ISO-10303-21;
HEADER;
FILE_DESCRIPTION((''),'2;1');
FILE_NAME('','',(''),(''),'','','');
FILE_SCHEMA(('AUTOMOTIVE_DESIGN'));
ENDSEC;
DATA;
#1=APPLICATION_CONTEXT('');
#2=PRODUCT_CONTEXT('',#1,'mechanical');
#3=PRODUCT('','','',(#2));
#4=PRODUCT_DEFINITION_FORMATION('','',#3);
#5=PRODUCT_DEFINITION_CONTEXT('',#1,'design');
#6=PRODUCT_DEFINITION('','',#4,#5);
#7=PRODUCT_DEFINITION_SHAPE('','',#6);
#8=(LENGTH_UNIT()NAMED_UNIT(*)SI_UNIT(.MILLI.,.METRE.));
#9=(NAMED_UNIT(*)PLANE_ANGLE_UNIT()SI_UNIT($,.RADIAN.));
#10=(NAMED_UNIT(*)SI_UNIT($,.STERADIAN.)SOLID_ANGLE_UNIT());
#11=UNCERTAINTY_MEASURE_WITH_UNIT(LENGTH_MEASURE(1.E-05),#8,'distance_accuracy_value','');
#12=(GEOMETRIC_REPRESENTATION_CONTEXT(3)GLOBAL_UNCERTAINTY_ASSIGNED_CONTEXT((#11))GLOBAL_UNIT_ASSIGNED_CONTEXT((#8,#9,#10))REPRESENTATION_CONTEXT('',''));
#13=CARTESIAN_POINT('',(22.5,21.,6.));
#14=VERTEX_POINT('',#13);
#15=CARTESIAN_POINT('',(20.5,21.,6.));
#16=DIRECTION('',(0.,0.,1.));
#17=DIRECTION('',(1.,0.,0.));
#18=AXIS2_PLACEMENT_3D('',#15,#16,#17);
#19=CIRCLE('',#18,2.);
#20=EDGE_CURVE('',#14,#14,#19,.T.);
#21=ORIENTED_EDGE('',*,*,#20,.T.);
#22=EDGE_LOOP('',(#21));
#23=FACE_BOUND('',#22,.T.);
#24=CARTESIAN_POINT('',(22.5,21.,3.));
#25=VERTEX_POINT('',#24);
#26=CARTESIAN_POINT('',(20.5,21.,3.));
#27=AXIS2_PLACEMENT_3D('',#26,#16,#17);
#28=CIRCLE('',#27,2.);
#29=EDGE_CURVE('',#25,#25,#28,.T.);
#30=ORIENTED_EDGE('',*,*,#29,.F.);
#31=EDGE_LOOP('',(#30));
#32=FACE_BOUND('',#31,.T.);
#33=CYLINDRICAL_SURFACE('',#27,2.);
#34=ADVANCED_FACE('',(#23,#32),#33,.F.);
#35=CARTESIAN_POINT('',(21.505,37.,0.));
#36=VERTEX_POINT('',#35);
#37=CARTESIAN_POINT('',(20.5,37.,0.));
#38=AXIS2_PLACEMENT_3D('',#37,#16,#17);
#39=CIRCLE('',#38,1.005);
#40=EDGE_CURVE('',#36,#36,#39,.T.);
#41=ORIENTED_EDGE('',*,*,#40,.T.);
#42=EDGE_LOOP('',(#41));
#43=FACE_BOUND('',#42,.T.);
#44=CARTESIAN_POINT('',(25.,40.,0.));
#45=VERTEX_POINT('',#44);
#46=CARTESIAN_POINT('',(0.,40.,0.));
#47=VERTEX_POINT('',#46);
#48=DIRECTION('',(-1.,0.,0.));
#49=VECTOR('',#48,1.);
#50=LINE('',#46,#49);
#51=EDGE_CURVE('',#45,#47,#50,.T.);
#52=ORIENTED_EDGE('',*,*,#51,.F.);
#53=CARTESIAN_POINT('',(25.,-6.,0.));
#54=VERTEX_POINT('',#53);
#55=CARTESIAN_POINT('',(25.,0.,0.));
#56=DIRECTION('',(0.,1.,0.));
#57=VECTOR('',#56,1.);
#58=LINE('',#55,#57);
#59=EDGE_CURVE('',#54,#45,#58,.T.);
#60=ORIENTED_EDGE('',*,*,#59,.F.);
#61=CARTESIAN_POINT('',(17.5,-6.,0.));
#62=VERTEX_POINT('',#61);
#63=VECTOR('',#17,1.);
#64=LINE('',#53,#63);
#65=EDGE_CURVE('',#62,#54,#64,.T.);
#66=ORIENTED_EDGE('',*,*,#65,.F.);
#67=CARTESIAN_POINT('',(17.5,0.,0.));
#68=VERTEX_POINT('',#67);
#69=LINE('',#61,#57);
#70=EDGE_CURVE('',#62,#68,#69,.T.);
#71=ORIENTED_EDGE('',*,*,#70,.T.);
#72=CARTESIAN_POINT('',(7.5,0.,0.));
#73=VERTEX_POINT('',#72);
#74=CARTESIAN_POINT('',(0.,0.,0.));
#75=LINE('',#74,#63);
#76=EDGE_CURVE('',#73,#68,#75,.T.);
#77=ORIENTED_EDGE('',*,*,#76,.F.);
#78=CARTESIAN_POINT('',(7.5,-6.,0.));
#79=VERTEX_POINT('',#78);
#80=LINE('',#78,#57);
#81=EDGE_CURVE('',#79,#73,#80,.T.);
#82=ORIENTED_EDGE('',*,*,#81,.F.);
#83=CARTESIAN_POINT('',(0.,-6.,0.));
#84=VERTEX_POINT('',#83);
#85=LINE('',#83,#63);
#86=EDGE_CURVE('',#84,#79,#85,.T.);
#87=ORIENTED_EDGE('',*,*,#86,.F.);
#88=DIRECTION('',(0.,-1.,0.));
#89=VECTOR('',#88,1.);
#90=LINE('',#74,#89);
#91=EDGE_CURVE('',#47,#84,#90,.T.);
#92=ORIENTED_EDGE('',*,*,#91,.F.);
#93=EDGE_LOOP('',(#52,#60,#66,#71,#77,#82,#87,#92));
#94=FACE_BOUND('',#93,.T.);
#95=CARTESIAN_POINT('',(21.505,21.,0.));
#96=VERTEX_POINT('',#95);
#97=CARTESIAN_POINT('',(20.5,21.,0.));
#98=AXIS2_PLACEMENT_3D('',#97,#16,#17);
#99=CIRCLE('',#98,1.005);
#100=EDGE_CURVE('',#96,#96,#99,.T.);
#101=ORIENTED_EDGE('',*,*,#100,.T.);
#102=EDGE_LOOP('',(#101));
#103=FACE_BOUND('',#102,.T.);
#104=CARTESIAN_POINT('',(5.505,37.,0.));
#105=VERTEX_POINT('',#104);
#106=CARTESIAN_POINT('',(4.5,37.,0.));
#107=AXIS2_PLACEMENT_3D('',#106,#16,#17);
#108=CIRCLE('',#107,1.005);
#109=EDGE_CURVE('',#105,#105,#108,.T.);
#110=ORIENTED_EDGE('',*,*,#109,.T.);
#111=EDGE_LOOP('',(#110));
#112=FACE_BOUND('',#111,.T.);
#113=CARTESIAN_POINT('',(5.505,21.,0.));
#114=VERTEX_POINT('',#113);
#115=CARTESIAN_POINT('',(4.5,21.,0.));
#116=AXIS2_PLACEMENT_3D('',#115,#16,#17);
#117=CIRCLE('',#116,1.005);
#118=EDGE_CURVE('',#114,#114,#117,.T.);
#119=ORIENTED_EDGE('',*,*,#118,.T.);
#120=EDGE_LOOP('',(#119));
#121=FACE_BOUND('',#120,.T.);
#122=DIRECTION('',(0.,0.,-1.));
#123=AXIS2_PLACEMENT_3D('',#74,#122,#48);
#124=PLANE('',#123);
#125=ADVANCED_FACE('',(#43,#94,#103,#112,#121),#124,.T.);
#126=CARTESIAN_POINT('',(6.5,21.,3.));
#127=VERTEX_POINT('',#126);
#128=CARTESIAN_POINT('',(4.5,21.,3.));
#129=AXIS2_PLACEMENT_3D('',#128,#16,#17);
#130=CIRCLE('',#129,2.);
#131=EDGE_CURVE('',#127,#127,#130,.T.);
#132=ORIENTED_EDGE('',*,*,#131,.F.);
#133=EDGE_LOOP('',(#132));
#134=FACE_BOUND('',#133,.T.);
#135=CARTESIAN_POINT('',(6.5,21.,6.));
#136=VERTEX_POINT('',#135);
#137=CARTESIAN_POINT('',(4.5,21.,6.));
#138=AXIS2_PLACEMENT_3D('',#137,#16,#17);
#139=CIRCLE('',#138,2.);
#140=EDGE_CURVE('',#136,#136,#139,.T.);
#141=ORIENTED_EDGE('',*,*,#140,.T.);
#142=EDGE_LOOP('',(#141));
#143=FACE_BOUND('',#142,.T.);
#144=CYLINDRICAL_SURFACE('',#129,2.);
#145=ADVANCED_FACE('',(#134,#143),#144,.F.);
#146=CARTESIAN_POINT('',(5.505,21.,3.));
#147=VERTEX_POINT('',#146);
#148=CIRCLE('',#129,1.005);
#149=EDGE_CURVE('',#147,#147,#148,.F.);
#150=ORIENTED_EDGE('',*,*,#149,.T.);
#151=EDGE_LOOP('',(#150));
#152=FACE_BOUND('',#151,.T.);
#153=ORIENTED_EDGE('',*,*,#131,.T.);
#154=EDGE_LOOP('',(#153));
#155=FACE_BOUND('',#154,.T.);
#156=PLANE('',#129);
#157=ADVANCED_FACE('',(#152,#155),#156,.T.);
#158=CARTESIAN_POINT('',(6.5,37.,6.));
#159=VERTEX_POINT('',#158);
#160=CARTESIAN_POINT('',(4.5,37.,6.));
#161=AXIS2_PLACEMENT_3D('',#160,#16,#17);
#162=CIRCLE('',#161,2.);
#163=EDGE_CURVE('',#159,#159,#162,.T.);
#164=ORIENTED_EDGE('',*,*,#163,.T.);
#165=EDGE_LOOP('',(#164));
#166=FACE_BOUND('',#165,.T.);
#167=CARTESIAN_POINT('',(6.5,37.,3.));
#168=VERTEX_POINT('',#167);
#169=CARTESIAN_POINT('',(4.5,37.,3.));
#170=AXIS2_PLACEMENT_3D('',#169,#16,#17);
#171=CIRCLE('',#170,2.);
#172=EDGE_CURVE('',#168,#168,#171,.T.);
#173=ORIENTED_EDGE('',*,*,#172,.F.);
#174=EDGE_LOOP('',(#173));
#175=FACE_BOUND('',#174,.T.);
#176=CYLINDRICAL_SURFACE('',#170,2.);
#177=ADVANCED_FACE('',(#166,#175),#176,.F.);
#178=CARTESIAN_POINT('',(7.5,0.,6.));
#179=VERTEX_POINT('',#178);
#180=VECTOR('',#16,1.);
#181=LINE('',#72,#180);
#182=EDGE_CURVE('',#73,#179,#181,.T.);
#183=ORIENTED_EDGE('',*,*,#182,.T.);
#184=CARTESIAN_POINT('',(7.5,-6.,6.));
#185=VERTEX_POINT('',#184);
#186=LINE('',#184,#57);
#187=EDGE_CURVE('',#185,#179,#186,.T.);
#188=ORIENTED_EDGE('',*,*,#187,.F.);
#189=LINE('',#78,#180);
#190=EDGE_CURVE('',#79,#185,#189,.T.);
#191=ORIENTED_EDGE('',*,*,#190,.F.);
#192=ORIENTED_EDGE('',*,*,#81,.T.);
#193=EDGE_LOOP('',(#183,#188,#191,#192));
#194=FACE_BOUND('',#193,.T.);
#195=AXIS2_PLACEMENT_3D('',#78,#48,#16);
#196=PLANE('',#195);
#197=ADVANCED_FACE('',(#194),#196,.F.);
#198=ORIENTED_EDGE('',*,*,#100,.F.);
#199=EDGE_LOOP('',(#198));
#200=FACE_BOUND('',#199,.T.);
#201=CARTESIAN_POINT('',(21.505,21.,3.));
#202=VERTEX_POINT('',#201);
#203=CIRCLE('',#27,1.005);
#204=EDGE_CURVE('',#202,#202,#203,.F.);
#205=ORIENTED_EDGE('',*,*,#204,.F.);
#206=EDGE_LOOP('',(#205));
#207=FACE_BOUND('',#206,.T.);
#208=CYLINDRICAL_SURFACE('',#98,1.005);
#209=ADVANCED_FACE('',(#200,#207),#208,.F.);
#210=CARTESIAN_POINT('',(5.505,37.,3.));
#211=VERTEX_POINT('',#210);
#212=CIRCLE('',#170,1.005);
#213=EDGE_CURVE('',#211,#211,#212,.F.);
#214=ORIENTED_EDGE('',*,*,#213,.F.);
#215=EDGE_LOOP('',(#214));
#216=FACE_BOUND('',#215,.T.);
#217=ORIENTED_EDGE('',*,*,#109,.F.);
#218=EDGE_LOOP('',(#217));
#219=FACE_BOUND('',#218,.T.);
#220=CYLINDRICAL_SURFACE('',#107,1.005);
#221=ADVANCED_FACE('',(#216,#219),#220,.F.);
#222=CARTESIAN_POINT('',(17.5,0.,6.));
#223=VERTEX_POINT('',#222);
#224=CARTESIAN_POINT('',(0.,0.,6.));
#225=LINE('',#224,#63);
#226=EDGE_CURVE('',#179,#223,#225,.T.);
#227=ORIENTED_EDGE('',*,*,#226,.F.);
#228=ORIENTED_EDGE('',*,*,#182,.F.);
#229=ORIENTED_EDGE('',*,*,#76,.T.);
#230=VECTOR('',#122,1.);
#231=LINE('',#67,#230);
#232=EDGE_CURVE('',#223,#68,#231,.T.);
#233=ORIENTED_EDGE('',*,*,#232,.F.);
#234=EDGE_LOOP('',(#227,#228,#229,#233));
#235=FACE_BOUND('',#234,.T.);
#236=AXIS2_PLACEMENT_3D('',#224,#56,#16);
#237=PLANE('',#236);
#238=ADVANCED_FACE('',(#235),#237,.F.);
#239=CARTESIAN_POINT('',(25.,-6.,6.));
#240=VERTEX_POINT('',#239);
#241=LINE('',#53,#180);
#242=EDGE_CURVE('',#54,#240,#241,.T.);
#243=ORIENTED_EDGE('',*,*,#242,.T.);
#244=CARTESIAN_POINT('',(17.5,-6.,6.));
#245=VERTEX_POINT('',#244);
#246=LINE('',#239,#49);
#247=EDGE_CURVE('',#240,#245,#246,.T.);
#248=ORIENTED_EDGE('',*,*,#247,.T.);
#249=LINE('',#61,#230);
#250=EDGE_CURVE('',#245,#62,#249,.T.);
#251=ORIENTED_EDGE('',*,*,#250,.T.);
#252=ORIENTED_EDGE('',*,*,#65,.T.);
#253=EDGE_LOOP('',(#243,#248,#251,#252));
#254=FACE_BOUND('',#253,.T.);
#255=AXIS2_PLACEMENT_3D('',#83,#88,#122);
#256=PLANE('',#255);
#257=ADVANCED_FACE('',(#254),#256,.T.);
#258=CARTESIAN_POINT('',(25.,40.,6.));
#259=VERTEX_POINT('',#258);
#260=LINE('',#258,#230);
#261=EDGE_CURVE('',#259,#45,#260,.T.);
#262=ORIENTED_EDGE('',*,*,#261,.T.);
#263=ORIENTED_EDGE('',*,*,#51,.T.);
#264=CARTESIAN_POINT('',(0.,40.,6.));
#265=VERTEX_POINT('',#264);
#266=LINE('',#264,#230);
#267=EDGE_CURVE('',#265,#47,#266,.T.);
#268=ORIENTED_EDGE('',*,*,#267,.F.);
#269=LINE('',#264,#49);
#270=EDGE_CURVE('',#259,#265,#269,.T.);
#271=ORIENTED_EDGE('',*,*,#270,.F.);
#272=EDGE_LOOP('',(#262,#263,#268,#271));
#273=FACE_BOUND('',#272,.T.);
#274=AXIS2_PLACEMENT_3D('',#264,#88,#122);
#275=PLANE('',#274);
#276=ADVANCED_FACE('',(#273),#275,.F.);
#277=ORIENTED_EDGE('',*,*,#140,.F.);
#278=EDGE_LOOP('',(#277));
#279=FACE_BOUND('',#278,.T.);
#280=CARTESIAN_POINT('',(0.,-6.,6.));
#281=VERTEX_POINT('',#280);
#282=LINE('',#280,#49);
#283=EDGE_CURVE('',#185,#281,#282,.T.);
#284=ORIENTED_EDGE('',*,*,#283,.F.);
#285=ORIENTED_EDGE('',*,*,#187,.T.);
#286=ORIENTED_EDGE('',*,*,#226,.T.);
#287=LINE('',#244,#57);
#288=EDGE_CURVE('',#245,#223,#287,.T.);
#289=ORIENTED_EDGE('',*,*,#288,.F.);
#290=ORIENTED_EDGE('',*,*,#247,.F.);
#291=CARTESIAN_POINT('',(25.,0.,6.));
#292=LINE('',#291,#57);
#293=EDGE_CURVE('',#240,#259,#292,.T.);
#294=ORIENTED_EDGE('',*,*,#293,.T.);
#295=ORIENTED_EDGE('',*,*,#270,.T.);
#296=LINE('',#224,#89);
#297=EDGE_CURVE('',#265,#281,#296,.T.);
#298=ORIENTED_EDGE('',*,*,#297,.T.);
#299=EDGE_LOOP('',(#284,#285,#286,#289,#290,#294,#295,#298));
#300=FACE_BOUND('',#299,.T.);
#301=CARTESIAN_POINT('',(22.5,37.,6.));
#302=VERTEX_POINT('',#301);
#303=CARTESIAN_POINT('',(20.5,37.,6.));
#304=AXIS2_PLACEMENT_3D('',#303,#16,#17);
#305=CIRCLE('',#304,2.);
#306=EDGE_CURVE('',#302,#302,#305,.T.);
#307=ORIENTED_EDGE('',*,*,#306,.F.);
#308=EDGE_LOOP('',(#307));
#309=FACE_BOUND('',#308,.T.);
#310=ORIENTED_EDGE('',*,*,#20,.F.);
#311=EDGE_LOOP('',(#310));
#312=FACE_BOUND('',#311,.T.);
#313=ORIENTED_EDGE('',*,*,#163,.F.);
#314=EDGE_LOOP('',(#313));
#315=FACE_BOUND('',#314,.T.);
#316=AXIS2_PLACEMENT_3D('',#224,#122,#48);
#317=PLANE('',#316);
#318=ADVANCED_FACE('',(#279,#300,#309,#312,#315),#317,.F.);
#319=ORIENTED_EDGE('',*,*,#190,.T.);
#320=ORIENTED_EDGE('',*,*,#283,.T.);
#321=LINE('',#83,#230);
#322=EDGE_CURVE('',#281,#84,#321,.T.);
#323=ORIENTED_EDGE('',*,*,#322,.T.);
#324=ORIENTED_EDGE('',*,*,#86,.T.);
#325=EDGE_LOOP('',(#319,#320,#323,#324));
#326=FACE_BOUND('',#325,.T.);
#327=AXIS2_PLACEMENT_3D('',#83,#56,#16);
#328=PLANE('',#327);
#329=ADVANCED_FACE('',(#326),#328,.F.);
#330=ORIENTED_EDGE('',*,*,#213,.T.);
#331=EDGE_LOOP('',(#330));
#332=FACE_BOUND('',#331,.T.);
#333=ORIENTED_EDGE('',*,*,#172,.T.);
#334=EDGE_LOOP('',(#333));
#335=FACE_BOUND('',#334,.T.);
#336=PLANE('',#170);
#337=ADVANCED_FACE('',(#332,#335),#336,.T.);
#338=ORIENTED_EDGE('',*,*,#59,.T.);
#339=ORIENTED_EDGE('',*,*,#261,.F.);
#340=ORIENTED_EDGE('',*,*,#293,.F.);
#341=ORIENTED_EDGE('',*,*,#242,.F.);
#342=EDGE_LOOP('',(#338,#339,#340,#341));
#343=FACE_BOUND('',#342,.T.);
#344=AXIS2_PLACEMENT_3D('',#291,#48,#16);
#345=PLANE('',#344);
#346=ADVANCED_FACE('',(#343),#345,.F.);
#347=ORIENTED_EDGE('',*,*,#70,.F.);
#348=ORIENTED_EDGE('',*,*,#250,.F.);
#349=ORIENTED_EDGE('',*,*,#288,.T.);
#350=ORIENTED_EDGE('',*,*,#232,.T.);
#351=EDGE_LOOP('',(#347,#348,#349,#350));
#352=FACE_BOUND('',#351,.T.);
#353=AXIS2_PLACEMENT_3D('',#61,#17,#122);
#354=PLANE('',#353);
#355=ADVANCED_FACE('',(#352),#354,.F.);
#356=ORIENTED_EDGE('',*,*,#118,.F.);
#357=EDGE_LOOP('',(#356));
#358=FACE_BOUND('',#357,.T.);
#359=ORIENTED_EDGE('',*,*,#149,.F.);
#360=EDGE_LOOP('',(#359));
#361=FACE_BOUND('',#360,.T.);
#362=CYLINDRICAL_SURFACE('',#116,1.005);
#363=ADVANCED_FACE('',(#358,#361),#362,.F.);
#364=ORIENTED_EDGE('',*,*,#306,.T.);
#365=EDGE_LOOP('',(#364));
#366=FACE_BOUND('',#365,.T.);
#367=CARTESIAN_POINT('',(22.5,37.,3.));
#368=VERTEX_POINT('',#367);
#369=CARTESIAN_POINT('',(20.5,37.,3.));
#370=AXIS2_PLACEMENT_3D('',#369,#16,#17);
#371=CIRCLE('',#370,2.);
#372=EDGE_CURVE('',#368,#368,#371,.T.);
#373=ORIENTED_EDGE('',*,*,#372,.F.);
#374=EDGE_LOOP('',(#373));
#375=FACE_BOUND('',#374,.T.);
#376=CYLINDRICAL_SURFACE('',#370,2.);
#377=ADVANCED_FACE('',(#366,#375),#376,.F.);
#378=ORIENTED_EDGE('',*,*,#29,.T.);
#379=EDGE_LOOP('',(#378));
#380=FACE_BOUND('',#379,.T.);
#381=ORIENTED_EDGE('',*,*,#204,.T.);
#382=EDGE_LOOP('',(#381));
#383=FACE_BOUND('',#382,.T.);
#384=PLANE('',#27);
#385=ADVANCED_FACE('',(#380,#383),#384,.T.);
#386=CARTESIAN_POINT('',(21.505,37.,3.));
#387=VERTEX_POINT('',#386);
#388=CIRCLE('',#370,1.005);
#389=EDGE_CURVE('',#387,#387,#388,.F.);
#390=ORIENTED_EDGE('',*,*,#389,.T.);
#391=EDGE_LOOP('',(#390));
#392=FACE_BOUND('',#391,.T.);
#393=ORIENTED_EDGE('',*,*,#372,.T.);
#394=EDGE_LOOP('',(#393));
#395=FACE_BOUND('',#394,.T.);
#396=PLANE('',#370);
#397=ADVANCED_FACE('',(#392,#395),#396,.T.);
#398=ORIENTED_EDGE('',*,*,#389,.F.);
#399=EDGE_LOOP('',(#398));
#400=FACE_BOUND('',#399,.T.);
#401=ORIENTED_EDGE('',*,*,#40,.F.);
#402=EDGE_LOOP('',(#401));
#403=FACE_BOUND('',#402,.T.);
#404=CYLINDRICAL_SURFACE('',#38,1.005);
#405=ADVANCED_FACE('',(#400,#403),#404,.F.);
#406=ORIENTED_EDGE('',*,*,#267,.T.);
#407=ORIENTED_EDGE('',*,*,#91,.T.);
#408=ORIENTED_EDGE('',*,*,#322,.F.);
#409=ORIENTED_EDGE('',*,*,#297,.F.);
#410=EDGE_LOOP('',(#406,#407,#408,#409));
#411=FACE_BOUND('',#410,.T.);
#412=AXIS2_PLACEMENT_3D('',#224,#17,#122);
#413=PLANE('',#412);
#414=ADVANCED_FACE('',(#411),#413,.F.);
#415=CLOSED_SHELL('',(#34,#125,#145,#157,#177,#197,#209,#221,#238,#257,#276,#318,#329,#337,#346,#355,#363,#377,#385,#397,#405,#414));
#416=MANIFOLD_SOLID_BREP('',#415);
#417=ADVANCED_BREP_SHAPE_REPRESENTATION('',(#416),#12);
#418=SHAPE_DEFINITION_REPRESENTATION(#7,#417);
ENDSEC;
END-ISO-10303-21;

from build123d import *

# Parameters (mm, degrees)
ESQUISSE1_W             = 25
ESQUISSE1_H             = 40
BOSS_EXTRU_1_DEPTH      = 6
ESQUISSE2_R             = 1.005
ENL_V_MAT_EXTRU_1_DEPTH = 6
ESQUISSE3_R             = 2
ENL_V_MAT_EXTRU_2_DEPTH = 3
ESQUISSE4_W             = 7.5
ESQUISSE4_H             = 6
BOSS_EXTRU_2_DEPTH      = 6


with BuildPart() as part:
    # Esquisse1 → Boss.-Extru.1 (new body)
    with BuildSketch(Plane.XY):
        with Locations((12.5, 20)):
            Rectangle(ESQUISSE1_W, ESQUISSE1_H)
    extrude(amount=BOSS_EXTRU_1_DEPTH)

    # Esquisse2 → Enlèv. mat.-Extru.1 (cut)
    with BuildSketch(Plane.XY.offset(6)):
        with Locations((4.5, 37)):
            Circle(ESQUISSE2_R)
        with Locations((20.5, 37)):
            Circle(ESQUISSE2_R)
        with Locations((4.5, 21)):
            Circle(ESQUISSE2_R)
        with Locations((20.5, 21)):
            Circle(ESQUISSE2_R)
    extrude(amount=-ENL_V_MAT_EXTRU_1_DEPTH, mode=Mode.SUBTRACT)

    # Esquisse3 → Enlèv. mat.-Extru.2 (cut)
    with BuildSketch(Plane.XY.offset(6)):
        with Locations((4.5, 37)):
            Circle(ESQUISSE3_R)
        with Locations((20.5, 37)):
            Circle(ESQUISSE3_R)
        with Locations((4.5, 21)):
            Circle(ESQUISSE3_R)
        with Locations((20.5, 21)):
            Circle(ESQUISSE3_R)
    extrude(amount=-ENL_V_MAT_EXTRU_2_DEPTH, mode=Mode.SUBTRACT)

    # Esquisse4 → Boss.-Extru.2 (add)
    with BuildSketch(Plane.XZ):
        with Locations((3.75, 3)):
            Rectangle(ESQUISSE4_W, ESQUISSE4_H)
        with Locations((21.25, 3)):
            Rectangle(ESQUISSE4_W, ESQUISSE4_H)
    extrude(amount=BOSS_EXTRU_2_DEPTH)


solid = part.part
